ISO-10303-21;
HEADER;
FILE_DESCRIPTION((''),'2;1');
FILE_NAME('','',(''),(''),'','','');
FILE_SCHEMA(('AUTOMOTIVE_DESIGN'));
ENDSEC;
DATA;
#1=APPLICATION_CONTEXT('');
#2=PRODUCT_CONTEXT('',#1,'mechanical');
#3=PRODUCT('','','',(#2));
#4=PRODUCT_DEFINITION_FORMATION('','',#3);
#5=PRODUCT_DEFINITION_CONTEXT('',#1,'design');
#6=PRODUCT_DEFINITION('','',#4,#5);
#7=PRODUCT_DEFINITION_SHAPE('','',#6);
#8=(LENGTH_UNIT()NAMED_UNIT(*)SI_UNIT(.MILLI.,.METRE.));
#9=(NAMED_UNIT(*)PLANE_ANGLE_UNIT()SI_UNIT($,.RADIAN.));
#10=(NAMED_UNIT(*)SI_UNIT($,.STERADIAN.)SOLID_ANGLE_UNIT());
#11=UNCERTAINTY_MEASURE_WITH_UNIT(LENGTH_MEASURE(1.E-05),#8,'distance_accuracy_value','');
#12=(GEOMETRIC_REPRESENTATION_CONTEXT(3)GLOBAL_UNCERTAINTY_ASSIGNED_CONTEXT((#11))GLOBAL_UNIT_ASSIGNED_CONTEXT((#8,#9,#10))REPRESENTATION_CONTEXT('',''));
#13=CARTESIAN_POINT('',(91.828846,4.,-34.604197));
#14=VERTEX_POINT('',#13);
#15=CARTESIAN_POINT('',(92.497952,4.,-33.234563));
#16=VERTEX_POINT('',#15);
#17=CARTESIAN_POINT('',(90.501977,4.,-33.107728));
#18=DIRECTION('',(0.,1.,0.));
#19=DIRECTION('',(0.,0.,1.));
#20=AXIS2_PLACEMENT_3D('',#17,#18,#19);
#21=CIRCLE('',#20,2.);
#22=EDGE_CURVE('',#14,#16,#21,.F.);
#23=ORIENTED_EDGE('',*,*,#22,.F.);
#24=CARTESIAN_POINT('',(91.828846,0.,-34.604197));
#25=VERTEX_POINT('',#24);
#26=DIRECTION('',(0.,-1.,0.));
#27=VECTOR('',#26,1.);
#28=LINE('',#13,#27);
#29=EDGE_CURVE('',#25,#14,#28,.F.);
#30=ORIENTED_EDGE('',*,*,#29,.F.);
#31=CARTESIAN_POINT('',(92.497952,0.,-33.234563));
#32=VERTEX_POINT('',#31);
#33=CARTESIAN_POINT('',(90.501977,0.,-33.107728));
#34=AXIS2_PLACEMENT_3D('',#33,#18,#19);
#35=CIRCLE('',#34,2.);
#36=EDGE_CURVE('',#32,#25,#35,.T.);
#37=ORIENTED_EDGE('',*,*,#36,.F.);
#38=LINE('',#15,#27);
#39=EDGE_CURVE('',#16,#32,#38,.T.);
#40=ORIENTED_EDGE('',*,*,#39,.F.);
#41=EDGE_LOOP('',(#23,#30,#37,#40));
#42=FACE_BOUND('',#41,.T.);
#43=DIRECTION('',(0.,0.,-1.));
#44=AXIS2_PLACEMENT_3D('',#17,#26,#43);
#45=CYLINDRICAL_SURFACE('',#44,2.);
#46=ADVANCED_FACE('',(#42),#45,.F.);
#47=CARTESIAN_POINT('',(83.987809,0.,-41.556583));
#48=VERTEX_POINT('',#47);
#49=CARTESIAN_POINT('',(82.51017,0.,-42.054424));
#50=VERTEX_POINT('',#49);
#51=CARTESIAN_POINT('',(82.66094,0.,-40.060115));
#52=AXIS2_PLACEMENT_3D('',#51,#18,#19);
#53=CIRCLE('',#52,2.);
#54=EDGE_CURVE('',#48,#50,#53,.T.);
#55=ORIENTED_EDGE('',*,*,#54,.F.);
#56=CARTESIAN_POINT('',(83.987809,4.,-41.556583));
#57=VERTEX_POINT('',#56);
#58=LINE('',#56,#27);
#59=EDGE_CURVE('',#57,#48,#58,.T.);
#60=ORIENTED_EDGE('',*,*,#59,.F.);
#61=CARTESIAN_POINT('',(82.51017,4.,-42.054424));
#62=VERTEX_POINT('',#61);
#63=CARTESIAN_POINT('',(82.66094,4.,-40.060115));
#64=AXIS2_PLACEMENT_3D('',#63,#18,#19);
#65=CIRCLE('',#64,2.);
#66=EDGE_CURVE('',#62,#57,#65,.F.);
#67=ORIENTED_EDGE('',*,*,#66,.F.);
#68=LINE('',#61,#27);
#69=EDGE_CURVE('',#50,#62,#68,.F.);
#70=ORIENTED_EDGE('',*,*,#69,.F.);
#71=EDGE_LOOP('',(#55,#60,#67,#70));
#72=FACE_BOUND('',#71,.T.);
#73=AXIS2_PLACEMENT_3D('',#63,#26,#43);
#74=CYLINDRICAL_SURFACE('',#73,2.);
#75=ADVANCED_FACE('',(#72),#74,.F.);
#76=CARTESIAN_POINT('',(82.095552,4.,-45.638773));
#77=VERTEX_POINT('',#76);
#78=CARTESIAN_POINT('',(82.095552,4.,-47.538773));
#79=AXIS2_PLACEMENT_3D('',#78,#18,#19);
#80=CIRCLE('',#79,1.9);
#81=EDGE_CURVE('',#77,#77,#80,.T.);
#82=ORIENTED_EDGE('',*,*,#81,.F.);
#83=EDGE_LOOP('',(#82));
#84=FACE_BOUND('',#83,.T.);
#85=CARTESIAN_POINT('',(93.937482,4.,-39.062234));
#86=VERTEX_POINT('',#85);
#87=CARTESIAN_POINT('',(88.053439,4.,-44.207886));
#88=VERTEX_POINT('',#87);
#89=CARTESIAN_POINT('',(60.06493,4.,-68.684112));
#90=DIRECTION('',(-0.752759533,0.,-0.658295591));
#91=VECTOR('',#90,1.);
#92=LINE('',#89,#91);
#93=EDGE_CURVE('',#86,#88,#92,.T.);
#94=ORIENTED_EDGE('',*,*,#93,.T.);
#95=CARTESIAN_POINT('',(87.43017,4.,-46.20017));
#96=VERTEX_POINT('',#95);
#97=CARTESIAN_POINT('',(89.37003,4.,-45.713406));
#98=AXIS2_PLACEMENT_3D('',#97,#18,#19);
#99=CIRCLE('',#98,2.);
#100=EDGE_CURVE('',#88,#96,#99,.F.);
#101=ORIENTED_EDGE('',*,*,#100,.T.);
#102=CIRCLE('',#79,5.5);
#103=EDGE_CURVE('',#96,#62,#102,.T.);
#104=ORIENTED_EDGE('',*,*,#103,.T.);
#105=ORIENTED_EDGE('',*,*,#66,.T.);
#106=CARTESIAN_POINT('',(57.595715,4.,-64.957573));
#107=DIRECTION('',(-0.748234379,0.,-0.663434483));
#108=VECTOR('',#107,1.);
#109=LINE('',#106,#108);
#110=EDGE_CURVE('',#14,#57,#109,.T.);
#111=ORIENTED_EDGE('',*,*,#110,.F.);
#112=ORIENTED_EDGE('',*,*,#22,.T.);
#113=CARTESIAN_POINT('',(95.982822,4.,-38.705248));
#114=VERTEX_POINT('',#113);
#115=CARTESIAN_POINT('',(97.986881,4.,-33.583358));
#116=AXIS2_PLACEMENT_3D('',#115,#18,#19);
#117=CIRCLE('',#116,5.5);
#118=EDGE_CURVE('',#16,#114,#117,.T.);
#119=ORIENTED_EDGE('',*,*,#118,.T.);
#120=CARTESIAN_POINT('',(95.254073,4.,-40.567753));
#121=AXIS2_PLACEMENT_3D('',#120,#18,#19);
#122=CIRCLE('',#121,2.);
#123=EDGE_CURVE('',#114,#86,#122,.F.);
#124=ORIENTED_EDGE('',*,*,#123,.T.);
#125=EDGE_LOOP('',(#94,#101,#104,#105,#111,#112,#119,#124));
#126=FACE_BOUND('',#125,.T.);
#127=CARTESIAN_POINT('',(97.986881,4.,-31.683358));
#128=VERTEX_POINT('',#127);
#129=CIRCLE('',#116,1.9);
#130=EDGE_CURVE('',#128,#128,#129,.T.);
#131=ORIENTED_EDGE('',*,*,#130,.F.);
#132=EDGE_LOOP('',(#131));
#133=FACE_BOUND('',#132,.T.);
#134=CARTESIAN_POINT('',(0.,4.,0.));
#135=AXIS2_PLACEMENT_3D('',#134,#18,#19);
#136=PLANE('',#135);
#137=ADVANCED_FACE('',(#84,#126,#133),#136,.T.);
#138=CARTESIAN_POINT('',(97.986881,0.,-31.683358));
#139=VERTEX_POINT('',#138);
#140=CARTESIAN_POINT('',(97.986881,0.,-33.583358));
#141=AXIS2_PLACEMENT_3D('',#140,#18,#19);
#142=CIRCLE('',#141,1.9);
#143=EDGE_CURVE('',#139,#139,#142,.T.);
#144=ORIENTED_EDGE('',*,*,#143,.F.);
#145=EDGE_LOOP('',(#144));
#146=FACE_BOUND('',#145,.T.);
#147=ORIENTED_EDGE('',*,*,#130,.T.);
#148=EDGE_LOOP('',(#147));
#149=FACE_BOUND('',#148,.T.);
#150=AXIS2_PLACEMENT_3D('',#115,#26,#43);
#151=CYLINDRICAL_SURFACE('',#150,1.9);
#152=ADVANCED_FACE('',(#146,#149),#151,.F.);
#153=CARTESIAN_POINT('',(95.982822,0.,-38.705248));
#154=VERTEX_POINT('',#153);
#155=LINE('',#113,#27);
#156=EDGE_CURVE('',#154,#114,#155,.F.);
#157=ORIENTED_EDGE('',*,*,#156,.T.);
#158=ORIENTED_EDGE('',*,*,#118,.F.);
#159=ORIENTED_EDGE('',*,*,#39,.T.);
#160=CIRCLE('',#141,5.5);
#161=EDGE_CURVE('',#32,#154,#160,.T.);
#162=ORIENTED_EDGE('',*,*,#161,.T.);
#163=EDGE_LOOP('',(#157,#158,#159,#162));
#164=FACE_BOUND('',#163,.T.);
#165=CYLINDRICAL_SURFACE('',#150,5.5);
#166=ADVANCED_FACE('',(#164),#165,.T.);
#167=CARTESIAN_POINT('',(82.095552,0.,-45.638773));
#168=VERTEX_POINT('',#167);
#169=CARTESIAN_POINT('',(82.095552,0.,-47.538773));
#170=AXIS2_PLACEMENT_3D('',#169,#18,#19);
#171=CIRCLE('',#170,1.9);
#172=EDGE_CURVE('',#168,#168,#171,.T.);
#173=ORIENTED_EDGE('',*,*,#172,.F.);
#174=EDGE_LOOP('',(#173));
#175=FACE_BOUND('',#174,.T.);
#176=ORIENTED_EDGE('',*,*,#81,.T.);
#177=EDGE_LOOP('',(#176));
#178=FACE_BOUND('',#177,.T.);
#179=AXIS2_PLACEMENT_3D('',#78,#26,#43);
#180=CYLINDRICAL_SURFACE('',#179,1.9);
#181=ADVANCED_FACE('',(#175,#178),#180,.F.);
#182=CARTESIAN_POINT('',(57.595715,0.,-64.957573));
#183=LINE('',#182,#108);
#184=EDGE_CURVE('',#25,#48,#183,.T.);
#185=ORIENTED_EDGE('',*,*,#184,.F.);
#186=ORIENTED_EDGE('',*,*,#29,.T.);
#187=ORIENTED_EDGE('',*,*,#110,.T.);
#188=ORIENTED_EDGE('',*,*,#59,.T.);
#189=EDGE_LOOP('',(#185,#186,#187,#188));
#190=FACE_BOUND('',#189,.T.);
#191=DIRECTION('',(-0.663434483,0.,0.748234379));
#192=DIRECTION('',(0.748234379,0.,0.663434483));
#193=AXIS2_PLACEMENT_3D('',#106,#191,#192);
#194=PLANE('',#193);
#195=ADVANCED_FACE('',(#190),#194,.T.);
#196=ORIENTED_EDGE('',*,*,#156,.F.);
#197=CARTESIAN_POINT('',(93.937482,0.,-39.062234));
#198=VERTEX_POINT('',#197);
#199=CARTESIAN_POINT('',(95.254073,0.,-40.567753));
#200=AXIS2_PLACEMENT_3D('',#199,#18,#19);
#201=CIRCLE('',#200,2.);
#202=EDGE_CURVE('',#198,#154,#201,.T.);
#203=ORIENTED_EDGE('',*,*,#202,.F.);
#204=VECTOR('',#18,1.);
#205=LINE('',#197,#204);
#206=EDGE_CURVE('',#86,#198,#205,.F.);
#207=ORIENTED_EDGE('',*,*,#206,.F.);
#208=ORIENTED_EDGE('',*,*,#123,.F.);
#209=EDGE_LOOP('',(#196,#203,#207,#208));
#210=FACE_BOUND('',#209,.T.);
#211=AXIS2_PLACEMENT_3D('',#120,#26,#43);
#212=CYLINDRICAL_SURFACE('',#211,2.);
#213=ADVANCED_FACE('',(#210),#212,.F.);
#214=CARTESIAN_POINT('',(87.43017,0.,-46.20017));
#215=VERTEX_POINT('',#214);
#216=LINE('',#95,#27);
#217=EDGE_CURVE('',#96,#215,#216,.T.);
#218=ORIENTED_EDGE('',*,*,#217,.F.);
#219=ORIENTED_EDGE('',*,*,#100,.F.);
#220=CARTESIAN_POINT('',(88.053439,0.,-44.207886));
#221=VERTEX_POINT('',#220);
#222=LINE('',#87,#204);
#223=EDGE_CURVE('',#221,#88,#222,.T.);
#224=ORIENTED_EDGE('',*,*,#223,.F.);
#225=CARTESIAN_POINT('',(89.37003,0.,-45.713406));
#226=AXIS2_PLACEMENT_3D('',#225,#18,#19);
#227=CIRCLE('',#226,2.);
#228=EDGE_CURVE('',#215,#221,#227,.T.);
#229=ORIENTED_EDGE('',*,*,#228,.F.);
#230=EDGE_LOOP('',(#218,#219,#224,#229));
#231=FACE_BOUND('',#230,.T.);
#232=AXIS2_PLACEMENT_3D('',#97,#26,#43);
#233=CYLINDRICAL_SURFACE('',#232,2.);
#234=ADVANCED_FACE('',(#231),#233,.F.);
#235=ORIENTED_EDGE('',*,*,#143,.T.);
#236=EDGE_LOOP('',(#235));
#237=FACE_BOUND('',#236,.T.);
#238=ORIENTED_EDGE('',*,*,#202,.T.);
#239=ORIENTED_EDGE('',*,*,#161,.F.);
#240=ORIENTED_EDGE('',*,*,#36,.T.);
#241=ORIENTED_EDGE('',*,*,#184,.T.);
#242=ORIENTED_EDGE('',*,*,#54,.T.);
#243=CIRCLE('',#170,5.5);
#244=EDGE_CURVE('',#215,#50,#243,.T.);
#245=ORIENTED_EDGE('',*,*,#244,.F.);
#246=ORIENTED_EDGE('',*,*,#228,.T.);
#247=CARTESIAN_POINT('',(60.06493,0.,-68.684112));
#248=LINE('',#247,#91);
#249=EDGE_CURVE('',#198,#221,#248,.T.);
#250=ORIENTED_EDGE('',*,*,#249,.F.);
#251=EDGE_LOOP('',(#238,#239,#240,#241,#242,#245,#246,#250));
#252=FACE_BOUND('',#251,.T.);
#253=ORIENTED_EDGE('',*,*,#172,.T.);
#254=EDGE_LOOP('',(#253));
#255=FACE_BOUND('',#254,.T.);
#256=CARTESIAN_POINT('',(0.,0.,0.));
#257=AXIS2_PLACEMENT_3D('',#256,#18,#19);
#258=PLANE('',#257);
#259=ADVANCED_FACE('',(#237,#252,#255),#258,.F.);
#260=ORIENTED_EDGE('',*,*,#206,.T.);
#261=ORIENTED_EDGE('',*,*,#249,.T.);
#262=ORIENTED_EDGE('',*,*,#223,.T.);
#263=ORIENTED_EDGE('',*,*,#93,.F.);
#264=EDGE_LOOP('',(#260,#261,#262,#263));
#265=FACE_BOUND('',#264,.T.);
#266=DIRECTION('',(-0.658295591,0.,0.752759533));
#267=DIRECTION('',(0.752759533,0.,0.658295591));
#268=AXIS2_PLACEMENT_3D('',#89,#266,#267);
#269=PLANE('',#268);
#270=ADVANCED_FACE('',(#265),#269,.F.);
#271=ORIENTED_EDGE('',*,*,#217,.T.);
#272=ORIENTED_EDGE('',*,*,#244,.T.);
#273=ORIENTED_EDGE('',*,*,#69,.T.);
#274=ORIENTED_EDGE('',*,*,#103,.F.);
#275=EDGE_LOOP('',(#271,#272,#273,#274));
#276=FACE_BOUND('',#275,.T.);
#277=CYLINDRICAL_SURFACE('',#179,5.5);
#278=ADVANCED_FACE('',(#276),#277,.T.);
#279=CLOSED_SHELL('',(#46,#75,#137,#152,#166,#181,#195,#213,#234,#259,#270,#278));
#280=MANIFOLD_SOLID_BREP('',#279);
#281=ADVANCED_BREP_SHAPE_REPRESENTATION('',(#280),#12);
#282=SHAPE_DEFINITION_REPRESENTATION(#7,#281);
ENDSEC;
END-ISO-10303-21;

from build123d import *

# Parameters (mm, degrees)
SKETCH2_R           = 1.9
BOSS_EXTRUDE1_DEPTH = 4
FILLET1_R           = 2


with BuildPart() as part:
    # Sketch2 → Boss-Extrude1 (new body)
    with BuildSketch(Plane(origin=(0, 0, 0), x_dir=(1, 0, 0), z_dir=(0, 1, 0))):
        with BuildLine():
            Line((94.955116322, 38.172302232), (87.02771465, 45.104892713))
            ThreePointArc((87.02771465, 45.104892713), (78.69699813, 51.863103241), (83.294746555, 42.171098459))
            Line((83.294746555, 42.171098459), (92.503166469, 34.006299468))
            ThreePointArc((92.503166469, 34.006299468), (102.726842439, 30.793598232), (94.955116322, 38.172302232))
        make_face()
        with Locations(Location((82.095552315, 47.538773298, 0), (0, 0, 270))):
            Circle(SKETCH2_R, mode=Mode.SUBTRACT)
        with Locations(Location((97.986880619, 33.583358427, 0), (0, 0, 270))):
            Circle(SKETCH2_R, mode=Mode.SUBTRACT)
    extrude(amount=BOSS_EXTRUDE1_DEPTH)

    # Fillet1
    fillet1_edges = [part.edges().sort_by_distance(p)[0] for p in [
        (83.294746555, 2, -42.171098459),
        (87.02771465, 2, -45.104892713),
        (94.955116322, 2, -38.172302232),
        (92.503166469, 2, -34.006299468),
    ]]
    fillet(fillet1_edges, radius=FILLET1_R)


solid = part.part
